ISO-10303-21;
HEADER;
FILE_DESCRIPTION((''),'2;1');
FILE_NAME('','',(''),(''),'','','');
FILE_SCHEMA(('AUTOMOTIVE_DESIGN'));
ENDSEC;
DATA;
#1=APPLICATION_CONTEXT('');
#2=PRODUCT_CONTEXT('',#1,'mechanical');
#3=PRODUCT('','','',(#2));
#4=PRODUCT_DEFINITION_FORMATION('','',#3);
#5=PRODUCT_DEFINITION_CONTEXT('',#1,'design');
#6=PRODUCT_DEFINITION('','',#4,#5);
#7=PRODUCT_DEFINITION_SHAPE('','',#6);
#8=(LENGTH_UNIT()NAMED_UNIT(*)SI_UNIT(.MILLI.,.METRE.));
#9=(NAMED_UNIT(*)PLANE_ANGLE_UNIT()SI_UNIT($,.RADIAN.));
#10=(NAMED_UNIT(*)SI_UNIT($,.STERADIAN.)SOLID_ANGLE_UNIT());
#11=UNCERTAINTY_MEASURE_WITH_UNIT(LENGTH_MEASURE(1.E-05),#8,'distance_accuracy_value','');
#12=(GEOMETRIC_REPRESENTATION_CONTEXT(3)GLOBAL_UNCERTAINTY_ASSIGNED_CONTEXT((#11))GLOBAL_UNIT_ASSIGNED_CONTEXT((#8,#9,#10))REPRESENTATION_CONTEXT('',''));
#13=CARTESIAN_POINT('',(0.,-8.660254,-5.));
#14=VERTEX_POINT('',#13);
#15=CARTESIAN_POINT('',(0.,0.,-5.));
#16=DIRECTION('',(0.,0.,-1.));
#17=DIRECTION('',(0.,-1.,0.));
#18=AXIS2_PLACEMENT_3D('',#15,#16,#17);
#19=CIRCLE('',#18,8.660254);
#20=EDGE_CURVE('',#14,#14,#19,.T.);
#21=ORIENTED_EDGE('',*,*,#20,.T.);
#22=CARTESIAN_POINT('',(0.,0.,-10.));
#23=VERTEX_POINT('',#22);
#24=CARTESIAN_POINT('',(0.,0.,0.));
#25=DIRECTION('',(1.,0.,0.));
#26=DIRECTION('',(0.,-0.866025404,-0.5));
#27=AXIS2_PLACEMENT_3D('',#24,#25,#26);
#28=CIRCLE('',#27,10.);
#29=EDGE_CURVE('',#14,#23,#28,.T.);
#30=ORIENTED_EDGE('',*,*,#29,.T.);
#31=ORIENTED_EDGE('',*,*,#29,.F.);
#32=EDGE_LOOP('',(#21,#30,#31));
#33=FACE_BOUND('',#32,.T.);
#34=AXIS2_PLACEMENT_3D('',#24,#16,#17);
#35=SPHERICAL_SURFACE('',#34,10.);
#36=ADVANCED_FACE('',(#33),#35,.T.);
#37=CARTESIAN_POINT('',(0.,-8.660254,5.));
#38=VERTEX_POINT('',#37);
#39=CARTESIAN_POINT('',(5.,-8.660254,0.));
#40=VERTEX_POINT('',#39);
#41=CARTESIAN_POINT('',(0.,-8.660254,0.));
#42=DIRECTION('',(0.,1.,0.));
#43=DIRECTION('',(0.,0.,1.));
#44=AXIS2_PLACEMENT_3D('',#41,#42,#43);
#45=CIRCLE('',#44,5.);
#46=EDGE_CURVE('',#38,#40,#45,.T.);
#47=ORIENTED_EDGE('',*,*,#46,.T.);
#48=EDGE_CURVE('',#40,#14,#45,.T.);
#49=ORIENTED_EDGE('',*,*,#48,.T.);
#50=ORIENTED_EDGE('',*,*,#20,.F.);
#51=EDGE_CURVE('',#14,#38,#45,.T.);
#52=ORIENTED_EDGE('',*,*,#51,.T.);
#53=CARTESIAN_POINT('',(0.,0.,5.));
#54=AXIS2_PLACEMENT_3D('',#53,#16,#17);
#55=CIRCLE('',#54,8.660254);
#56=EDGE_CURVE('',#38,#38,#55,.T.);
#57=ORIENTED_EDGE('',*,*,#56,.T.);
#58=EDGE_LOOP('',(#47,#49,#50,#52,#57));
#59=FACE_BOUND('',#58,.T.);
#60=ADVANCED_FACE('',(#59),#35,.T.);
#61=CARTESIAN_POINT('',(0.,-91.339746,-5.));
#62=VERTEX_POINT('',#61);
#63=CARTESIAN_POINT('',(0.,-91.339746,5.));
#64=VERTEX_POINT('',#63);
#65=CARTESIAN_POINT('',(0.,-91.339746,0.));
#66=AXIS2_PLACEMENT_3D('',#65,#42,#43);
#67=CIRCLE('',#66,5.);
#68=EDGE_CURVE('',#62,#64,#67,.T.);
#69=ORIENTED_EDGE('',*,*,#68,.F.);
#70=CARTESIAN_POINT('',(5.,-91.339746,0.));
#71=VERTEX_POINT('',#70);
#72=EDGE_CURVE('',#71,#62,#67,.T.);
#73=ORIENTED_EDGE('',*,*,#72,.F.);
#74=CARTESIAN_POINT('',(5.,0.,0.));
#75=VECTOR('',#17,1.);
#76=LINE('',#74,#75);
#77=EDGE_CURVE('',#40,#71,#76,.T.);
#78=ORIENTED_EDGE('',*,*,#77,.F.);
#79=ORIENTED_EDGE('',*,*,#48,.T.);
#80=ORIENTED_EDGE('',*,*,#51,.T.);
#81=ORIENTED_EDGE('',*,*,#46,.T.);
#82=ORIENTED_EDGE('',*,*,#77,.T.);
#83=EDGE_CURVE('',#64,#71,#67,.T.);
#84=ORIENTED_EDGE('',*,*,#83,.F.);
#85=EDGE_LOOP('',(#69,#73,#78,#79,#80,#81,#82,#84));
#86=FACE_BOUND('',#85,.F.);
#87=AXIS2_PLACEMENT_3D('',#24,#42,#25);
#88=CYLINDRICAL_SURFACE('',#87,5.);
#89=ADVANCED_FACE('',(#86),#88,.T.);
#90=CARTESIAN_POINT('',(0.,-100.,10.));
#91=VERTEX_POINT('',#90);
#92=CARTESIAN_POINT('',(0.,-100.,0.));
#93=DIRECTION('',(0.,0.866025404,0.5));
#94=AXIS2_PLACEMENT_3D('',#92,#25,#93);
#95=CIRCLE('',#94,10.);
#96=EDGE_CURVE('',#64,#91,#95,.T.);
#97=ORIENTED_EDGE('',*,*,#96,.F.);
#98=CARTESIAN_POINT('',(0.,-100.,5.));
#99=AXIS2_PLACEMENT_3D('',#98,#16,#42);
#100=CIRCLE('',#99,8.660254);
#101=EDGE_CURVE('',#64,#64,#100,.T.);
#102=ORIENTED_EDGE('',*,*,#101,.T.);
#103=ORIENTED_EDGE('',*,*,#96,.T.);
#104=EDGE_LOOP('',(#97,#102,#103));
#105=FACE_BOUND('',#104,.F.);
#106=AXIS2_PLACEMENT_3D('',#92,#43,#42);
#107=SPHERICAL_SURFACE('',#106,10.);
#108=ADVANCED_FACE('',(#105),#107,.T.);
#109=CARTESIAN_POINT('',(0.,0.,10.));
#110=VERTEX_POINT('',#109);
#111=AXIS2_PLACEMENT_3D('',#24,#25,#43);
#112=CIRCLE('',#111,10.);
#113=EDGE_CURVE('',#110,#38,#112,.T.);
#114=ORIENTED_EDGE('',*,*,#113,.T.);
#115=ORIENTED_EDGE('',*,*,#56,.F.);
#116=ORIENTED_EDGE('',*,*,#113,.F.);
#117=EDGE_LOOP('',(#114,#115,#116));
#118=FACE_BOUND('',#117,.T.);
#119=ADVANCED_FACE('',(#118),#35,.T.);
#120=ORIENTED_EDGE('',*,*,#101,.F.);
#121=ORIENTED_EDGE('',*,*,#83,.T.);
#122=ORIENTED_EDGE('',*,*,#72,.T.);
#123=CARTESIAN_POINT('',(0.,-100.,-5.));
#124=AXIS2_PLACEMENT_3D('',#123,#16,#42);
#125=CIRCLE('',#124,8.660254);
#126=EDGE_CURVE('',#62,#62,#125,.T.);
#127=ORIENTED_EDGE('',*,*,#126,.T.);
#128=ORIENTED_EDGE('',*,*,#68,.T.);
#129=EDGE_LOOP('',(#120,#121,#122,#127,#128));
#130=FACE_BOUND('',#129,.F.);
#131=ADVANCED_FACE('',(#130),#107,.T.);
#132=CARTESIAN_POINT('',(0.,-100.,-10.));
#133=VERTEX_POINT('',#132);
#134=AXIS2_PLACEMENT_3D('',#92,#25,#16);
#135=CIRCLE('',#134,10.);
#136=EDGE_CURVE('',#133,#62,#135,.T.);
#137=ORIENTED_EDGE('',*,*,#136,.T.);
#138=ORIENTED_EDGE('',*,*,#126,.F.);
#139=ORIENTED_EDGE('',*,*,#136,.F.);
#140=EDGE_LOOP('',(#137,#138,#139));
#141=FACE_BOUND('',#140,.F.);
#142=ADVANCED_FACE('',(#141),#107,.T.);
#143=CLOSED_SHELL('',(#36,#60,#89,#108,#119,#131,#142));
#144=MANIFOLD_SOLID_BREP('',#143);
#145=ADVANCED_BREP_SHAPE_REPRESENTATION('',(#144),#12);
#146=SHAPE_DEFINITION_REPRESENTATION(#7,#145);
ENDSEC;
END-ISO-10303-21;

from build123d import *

# Parameters (mm, degrees)
F0_R     = 5
F1_DEPTH = 100


with BuildPart() as f1:
    # F0 (on Front) → F1 (new body)
    with BuildSketch(Plane.XZ):
        Circle(F0_R)
    extrude(amount=F1_DEPTH)

    # F2 (on Right) → F3 (revolve)
    with BuildSketch(Plane.YZ):
        with BuildLine():
            Line((0, -10), (0, 10))
            ThreePointArc((0, 10), (-5, 8.6602540378), (-8.6602540378, 5))
            ThreePointArc((-8.6602540378, 5), (-10, 0), (-8.6602540378, -5))
            ThreePointArc((-8.6602540378, -5), (-5, -8.6602540378), (0, -10))
        make_face()
    revolve(axis=Axis((0, 0, 0), (0, 0, -1)))

    # F2 (on Right) → F4 (revolve)
    with BuildSketch(Plane.YZ):
        with BuildLine():
            ThreePointArc((-91.3397459622, -5), (-90, 0), (-91.3397459622, 5))
            ThreePointArc((-91.3397459622, 5), (-95, 8.6602540378), (-100, 10))
            Line((-100, 10), (-100, -10))
            ThreePointArc((-100, -10), (-95, -8.6602540378), (-91.3397459622, -5))
        make_face()
    revolve(axis=Axis((0, -100, 0), (0, 0, -1)))


solid = f1.part
